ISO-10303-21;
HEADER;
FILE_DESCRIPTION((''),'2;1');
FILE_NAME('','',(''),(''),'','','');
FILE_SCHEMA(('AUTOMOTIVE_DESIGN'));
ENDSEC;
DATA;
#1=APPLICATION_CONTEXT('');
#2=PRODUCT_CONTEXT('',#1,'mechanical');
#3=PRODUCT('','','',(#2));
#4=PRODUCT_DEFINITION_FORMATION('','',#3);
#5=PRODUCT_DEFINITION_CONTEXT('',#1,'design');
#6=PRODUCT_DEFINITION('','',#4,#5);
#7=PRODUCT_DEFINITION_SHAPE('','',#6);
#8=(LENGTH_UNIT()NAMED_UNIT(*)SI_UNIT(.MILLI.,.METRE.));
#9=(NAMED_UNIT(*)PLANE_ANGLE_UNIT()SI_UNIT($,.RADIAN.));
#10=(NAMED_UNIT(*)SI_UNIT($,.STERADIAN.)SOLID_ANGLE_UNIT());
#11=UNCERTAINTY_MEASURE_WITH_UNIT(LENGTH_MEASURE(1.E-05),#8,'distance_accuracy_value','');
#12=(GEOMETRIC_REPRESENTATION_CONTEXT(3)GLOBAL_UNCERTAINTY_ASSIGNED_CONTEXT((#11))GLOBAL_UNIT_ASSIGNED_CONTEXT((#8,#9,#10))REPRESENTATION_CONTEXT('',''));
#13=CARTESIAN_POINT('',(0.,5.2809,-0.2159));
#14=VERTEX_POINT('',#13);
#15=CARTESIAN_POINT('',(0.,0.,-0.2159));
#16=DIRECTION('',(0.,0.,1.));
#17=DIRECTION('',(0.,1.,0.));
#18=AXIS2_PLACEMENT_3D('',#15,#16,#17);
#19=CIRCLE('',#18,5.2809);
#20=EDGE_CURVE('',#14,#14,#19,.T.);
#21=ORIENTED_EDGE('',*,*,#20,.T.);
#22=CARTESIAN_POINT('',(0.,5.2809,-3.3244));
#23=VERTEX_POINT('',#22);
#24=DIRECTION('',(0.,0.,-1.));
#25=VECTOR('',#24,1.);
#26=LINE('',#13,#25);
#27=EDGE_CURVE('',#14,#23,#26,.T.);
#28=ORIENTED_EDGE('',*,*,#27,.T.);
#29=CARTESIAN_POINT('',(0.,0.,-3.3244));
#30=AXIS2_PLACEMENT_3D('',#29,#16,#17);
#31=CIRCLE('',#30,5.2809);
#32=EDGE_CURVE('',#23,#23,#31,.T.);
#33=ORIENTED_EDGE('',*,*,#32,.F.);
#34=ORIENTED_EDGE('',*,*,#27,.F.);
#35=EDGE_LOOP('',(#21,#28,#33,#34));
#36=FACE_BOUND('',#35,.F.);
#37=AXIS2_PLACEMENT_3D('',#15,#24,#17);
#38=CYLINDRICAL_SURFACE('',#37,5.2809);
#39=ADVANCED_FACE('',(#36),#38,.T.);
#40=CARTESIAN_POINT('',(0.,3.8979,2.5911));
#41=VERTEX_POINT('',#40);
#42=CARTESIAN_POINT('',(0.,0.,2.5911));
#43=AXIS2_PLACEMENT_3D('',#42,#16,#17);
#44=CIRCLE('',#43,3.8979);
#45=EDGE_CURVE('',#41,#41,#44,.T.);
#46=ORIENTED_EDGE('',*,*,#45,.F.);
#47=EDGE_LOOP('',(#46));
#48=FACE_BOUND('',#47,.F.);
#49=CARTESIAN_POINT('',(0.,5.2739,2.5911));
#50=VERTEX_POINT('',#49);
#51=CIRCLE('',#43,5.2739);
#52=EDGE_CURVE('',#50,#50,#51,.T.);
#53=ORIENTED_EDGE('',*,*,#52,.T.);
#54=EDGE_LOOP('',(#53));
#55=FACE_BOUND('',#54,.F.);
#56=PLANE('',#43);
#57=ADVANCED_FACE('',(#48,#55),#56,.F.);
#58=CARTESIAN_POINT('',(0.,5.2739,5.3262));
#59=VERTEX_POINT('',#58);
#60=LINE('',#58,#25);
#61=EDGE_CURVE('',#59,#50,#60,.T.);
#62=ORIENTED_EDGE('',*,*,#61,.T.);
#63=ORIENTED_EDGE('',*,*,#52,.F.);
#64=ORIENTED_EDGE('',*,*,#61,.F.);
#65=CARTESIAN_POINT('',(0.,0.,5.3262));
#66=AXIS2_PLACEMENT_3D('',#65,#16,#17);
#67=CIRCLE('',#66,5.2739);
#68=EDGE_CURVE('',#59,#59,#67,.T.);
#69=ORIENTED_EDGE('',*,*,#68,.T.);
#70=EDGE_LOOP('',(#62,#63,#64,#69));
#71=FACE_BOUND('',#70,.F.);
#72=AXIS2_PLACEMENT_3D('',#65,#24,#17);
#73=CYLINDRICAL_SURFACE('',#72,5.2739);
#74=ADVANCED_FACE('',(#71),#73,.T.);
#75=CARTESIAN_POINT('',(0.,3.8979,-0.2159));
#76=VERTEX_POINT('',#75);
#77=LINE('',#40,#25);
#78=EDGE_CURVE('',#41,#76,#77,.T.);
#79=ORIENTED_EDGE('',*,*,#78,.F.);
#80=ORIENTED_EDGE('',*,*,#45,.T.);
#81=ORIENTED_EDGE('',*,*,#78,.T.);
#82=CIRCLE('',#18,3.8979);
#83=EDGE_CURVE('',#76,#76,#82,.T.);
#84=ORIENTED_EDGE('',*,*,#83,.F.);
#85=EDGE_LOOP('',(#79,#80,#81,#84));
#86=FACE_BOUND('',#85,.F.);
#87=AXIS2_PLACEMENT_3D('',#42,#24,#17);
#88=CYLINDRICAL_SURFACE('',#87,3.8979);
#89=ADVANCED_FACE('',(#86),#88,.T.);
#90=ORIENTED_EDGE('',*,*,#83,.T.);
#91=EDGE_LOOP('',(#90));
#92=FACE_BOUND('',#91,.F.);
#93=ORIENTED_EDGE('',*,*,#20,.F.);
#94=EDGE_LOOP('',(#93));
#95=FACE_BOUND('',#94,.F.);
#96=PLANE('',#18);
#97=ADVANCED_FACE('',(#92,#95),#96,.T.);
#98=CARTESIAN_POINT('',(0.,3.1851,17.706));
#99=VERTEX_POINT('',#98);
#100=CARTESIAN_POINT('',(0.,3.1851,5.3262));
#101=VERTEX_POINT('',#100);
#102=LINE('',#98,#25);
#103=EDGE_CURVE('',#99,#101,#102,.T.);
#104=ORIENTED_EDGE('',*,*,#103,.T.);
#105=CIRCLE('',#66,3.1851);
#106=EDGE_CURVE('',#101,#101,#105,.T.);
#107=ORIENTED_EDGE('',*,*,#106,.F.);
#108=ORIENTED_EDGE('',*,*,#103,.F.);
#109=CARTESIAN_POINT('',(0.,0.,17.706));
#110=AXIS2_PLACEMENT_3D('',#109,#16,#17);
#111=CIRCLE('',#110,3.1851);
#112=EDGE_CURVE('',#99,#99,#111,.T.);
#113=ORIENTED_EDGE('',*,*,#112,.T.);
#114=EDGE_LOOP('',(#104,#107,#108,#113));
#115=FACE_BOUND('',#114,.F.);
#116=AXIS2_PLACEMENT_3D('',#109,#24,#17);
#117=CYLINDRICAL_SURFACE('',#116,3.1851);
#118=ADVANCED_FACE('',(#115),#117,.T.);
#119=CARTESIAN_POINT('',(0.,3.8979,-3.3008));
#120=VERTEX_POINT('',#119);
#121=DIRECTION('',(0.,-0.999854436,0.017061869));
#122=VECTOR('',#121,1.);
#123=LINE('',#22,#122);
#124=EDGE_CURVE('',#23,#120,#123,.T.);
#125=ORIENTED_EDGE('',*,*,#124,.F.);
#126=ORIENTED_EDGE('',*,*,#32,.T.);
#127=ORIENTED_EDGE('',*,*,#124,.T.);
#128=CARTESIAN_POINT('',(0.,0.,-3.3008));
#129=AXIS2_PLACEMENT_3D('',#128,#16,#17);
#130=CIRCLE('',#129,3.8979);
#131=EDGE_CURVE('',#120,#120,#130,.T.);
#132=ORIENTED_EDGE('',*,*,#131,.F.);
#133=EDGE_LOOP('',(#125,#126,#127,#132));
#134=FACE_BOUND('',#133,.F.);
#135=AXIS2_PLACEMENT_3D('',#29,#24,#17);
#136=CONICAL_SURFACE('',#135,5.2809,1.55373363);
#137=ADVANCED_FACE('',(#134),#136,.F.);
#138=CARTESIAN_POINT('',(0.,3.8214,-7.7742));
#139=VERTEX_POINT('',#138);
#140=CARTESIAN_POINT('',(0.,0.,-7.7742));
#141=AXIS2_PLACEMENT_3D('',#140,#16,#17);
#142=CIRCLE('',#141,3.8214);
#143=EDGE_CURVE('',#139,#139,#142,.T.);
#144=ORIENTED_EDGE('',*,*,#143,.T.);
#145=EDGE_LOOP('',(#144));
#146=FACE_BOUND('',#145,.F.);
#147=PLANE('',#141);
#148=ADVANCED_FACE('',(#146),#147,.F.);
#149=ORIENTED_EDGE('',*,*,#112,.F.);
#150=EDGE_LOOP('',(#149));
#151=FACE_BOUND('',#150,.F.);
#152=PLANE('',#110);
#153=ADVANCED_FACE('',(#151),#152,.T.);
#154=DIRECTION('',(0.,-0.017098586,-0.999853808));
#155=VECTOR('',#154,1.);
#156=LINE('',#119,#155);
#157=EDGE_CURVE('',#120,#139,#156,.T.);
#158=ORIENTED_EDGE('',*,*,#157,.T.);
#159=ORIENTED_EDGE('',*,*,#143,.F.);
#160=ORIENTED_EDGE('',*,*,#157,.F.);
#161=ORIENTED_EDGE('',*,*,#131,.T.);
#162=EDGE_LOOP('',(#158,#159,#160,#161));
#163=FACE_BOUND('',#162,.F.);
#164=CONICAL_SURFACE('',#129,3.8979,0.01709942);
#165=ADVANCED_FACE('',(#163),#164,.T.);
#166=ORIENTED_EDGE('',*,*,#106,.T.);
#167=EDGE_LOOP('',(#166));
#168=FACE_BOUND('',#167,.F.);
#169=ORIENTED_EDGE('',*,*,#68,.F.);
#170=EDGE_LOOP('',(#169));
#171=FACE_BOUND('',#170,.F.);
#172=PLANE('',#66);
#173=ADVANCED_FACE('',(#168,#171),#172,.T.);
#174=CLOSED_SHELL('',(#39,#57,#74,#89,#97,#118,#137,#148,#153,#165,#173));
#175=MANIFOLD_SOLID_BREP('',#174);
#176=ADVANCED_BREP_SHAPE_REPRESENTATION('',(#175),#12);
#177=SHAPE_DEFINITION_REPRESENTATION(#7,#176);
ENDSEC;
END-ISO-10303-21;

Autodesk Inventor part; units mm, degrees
ref_plane "YZ Plane" through (0, 0, 0) normal (1, 0, 0) x (0, 1, 0)
ref_plane "XZ Plane" through (0, 0, 0) normal (0, 1, 0) x (-1, 0, 0)
ref_plane "XY Plane" through (0, 0, 0) normal (0, 0, 1) x (1, 0, 0)
sketch "Sketch1" plane through (0, 0, 0) normal (1, 0, 0) x (0, 1, 0)
  line L0 (0, 17.706) -> (3.1851, 17.706)
  line L1 (3.1851, 17.706) -> (3.1851, 5.3262)
  line L2 (3.1851, 5.3262) -> (5.2739, 5.3262)
  line L3 (5.2739, 5.3262) -> (5.2739, 2.5911)
  line L4 (5.2739, 2.5911) -> (3.8979, 2.5911)
  line L5 (3.8979, 2.5911) -> (3.8979, -0.2159)
  line L6 (3.8979, -0.2159) -> (5.2809, -0.2159)
  line L7 (5.2809, -0.2159) -> (5.2809, -3.3244)
  line L8 (5.2809, -3.3244) -> (3.8979, -3.3008)
  line L9 (3.8979, -3.3008) -> (3.8214, -7.7742)
  line L10 (3.8214, -7.7742) -> (0, -7.7742)
  line L11 (0, -7.7742) -> (0, 17.706)
  point P0 (0, 0)
revolve "Revolution1" add sketch "Sketch1" angle 360 about axis through (0, 0, -7.7742) along (0, 0, 1)
properties part number "simple_shaft"
